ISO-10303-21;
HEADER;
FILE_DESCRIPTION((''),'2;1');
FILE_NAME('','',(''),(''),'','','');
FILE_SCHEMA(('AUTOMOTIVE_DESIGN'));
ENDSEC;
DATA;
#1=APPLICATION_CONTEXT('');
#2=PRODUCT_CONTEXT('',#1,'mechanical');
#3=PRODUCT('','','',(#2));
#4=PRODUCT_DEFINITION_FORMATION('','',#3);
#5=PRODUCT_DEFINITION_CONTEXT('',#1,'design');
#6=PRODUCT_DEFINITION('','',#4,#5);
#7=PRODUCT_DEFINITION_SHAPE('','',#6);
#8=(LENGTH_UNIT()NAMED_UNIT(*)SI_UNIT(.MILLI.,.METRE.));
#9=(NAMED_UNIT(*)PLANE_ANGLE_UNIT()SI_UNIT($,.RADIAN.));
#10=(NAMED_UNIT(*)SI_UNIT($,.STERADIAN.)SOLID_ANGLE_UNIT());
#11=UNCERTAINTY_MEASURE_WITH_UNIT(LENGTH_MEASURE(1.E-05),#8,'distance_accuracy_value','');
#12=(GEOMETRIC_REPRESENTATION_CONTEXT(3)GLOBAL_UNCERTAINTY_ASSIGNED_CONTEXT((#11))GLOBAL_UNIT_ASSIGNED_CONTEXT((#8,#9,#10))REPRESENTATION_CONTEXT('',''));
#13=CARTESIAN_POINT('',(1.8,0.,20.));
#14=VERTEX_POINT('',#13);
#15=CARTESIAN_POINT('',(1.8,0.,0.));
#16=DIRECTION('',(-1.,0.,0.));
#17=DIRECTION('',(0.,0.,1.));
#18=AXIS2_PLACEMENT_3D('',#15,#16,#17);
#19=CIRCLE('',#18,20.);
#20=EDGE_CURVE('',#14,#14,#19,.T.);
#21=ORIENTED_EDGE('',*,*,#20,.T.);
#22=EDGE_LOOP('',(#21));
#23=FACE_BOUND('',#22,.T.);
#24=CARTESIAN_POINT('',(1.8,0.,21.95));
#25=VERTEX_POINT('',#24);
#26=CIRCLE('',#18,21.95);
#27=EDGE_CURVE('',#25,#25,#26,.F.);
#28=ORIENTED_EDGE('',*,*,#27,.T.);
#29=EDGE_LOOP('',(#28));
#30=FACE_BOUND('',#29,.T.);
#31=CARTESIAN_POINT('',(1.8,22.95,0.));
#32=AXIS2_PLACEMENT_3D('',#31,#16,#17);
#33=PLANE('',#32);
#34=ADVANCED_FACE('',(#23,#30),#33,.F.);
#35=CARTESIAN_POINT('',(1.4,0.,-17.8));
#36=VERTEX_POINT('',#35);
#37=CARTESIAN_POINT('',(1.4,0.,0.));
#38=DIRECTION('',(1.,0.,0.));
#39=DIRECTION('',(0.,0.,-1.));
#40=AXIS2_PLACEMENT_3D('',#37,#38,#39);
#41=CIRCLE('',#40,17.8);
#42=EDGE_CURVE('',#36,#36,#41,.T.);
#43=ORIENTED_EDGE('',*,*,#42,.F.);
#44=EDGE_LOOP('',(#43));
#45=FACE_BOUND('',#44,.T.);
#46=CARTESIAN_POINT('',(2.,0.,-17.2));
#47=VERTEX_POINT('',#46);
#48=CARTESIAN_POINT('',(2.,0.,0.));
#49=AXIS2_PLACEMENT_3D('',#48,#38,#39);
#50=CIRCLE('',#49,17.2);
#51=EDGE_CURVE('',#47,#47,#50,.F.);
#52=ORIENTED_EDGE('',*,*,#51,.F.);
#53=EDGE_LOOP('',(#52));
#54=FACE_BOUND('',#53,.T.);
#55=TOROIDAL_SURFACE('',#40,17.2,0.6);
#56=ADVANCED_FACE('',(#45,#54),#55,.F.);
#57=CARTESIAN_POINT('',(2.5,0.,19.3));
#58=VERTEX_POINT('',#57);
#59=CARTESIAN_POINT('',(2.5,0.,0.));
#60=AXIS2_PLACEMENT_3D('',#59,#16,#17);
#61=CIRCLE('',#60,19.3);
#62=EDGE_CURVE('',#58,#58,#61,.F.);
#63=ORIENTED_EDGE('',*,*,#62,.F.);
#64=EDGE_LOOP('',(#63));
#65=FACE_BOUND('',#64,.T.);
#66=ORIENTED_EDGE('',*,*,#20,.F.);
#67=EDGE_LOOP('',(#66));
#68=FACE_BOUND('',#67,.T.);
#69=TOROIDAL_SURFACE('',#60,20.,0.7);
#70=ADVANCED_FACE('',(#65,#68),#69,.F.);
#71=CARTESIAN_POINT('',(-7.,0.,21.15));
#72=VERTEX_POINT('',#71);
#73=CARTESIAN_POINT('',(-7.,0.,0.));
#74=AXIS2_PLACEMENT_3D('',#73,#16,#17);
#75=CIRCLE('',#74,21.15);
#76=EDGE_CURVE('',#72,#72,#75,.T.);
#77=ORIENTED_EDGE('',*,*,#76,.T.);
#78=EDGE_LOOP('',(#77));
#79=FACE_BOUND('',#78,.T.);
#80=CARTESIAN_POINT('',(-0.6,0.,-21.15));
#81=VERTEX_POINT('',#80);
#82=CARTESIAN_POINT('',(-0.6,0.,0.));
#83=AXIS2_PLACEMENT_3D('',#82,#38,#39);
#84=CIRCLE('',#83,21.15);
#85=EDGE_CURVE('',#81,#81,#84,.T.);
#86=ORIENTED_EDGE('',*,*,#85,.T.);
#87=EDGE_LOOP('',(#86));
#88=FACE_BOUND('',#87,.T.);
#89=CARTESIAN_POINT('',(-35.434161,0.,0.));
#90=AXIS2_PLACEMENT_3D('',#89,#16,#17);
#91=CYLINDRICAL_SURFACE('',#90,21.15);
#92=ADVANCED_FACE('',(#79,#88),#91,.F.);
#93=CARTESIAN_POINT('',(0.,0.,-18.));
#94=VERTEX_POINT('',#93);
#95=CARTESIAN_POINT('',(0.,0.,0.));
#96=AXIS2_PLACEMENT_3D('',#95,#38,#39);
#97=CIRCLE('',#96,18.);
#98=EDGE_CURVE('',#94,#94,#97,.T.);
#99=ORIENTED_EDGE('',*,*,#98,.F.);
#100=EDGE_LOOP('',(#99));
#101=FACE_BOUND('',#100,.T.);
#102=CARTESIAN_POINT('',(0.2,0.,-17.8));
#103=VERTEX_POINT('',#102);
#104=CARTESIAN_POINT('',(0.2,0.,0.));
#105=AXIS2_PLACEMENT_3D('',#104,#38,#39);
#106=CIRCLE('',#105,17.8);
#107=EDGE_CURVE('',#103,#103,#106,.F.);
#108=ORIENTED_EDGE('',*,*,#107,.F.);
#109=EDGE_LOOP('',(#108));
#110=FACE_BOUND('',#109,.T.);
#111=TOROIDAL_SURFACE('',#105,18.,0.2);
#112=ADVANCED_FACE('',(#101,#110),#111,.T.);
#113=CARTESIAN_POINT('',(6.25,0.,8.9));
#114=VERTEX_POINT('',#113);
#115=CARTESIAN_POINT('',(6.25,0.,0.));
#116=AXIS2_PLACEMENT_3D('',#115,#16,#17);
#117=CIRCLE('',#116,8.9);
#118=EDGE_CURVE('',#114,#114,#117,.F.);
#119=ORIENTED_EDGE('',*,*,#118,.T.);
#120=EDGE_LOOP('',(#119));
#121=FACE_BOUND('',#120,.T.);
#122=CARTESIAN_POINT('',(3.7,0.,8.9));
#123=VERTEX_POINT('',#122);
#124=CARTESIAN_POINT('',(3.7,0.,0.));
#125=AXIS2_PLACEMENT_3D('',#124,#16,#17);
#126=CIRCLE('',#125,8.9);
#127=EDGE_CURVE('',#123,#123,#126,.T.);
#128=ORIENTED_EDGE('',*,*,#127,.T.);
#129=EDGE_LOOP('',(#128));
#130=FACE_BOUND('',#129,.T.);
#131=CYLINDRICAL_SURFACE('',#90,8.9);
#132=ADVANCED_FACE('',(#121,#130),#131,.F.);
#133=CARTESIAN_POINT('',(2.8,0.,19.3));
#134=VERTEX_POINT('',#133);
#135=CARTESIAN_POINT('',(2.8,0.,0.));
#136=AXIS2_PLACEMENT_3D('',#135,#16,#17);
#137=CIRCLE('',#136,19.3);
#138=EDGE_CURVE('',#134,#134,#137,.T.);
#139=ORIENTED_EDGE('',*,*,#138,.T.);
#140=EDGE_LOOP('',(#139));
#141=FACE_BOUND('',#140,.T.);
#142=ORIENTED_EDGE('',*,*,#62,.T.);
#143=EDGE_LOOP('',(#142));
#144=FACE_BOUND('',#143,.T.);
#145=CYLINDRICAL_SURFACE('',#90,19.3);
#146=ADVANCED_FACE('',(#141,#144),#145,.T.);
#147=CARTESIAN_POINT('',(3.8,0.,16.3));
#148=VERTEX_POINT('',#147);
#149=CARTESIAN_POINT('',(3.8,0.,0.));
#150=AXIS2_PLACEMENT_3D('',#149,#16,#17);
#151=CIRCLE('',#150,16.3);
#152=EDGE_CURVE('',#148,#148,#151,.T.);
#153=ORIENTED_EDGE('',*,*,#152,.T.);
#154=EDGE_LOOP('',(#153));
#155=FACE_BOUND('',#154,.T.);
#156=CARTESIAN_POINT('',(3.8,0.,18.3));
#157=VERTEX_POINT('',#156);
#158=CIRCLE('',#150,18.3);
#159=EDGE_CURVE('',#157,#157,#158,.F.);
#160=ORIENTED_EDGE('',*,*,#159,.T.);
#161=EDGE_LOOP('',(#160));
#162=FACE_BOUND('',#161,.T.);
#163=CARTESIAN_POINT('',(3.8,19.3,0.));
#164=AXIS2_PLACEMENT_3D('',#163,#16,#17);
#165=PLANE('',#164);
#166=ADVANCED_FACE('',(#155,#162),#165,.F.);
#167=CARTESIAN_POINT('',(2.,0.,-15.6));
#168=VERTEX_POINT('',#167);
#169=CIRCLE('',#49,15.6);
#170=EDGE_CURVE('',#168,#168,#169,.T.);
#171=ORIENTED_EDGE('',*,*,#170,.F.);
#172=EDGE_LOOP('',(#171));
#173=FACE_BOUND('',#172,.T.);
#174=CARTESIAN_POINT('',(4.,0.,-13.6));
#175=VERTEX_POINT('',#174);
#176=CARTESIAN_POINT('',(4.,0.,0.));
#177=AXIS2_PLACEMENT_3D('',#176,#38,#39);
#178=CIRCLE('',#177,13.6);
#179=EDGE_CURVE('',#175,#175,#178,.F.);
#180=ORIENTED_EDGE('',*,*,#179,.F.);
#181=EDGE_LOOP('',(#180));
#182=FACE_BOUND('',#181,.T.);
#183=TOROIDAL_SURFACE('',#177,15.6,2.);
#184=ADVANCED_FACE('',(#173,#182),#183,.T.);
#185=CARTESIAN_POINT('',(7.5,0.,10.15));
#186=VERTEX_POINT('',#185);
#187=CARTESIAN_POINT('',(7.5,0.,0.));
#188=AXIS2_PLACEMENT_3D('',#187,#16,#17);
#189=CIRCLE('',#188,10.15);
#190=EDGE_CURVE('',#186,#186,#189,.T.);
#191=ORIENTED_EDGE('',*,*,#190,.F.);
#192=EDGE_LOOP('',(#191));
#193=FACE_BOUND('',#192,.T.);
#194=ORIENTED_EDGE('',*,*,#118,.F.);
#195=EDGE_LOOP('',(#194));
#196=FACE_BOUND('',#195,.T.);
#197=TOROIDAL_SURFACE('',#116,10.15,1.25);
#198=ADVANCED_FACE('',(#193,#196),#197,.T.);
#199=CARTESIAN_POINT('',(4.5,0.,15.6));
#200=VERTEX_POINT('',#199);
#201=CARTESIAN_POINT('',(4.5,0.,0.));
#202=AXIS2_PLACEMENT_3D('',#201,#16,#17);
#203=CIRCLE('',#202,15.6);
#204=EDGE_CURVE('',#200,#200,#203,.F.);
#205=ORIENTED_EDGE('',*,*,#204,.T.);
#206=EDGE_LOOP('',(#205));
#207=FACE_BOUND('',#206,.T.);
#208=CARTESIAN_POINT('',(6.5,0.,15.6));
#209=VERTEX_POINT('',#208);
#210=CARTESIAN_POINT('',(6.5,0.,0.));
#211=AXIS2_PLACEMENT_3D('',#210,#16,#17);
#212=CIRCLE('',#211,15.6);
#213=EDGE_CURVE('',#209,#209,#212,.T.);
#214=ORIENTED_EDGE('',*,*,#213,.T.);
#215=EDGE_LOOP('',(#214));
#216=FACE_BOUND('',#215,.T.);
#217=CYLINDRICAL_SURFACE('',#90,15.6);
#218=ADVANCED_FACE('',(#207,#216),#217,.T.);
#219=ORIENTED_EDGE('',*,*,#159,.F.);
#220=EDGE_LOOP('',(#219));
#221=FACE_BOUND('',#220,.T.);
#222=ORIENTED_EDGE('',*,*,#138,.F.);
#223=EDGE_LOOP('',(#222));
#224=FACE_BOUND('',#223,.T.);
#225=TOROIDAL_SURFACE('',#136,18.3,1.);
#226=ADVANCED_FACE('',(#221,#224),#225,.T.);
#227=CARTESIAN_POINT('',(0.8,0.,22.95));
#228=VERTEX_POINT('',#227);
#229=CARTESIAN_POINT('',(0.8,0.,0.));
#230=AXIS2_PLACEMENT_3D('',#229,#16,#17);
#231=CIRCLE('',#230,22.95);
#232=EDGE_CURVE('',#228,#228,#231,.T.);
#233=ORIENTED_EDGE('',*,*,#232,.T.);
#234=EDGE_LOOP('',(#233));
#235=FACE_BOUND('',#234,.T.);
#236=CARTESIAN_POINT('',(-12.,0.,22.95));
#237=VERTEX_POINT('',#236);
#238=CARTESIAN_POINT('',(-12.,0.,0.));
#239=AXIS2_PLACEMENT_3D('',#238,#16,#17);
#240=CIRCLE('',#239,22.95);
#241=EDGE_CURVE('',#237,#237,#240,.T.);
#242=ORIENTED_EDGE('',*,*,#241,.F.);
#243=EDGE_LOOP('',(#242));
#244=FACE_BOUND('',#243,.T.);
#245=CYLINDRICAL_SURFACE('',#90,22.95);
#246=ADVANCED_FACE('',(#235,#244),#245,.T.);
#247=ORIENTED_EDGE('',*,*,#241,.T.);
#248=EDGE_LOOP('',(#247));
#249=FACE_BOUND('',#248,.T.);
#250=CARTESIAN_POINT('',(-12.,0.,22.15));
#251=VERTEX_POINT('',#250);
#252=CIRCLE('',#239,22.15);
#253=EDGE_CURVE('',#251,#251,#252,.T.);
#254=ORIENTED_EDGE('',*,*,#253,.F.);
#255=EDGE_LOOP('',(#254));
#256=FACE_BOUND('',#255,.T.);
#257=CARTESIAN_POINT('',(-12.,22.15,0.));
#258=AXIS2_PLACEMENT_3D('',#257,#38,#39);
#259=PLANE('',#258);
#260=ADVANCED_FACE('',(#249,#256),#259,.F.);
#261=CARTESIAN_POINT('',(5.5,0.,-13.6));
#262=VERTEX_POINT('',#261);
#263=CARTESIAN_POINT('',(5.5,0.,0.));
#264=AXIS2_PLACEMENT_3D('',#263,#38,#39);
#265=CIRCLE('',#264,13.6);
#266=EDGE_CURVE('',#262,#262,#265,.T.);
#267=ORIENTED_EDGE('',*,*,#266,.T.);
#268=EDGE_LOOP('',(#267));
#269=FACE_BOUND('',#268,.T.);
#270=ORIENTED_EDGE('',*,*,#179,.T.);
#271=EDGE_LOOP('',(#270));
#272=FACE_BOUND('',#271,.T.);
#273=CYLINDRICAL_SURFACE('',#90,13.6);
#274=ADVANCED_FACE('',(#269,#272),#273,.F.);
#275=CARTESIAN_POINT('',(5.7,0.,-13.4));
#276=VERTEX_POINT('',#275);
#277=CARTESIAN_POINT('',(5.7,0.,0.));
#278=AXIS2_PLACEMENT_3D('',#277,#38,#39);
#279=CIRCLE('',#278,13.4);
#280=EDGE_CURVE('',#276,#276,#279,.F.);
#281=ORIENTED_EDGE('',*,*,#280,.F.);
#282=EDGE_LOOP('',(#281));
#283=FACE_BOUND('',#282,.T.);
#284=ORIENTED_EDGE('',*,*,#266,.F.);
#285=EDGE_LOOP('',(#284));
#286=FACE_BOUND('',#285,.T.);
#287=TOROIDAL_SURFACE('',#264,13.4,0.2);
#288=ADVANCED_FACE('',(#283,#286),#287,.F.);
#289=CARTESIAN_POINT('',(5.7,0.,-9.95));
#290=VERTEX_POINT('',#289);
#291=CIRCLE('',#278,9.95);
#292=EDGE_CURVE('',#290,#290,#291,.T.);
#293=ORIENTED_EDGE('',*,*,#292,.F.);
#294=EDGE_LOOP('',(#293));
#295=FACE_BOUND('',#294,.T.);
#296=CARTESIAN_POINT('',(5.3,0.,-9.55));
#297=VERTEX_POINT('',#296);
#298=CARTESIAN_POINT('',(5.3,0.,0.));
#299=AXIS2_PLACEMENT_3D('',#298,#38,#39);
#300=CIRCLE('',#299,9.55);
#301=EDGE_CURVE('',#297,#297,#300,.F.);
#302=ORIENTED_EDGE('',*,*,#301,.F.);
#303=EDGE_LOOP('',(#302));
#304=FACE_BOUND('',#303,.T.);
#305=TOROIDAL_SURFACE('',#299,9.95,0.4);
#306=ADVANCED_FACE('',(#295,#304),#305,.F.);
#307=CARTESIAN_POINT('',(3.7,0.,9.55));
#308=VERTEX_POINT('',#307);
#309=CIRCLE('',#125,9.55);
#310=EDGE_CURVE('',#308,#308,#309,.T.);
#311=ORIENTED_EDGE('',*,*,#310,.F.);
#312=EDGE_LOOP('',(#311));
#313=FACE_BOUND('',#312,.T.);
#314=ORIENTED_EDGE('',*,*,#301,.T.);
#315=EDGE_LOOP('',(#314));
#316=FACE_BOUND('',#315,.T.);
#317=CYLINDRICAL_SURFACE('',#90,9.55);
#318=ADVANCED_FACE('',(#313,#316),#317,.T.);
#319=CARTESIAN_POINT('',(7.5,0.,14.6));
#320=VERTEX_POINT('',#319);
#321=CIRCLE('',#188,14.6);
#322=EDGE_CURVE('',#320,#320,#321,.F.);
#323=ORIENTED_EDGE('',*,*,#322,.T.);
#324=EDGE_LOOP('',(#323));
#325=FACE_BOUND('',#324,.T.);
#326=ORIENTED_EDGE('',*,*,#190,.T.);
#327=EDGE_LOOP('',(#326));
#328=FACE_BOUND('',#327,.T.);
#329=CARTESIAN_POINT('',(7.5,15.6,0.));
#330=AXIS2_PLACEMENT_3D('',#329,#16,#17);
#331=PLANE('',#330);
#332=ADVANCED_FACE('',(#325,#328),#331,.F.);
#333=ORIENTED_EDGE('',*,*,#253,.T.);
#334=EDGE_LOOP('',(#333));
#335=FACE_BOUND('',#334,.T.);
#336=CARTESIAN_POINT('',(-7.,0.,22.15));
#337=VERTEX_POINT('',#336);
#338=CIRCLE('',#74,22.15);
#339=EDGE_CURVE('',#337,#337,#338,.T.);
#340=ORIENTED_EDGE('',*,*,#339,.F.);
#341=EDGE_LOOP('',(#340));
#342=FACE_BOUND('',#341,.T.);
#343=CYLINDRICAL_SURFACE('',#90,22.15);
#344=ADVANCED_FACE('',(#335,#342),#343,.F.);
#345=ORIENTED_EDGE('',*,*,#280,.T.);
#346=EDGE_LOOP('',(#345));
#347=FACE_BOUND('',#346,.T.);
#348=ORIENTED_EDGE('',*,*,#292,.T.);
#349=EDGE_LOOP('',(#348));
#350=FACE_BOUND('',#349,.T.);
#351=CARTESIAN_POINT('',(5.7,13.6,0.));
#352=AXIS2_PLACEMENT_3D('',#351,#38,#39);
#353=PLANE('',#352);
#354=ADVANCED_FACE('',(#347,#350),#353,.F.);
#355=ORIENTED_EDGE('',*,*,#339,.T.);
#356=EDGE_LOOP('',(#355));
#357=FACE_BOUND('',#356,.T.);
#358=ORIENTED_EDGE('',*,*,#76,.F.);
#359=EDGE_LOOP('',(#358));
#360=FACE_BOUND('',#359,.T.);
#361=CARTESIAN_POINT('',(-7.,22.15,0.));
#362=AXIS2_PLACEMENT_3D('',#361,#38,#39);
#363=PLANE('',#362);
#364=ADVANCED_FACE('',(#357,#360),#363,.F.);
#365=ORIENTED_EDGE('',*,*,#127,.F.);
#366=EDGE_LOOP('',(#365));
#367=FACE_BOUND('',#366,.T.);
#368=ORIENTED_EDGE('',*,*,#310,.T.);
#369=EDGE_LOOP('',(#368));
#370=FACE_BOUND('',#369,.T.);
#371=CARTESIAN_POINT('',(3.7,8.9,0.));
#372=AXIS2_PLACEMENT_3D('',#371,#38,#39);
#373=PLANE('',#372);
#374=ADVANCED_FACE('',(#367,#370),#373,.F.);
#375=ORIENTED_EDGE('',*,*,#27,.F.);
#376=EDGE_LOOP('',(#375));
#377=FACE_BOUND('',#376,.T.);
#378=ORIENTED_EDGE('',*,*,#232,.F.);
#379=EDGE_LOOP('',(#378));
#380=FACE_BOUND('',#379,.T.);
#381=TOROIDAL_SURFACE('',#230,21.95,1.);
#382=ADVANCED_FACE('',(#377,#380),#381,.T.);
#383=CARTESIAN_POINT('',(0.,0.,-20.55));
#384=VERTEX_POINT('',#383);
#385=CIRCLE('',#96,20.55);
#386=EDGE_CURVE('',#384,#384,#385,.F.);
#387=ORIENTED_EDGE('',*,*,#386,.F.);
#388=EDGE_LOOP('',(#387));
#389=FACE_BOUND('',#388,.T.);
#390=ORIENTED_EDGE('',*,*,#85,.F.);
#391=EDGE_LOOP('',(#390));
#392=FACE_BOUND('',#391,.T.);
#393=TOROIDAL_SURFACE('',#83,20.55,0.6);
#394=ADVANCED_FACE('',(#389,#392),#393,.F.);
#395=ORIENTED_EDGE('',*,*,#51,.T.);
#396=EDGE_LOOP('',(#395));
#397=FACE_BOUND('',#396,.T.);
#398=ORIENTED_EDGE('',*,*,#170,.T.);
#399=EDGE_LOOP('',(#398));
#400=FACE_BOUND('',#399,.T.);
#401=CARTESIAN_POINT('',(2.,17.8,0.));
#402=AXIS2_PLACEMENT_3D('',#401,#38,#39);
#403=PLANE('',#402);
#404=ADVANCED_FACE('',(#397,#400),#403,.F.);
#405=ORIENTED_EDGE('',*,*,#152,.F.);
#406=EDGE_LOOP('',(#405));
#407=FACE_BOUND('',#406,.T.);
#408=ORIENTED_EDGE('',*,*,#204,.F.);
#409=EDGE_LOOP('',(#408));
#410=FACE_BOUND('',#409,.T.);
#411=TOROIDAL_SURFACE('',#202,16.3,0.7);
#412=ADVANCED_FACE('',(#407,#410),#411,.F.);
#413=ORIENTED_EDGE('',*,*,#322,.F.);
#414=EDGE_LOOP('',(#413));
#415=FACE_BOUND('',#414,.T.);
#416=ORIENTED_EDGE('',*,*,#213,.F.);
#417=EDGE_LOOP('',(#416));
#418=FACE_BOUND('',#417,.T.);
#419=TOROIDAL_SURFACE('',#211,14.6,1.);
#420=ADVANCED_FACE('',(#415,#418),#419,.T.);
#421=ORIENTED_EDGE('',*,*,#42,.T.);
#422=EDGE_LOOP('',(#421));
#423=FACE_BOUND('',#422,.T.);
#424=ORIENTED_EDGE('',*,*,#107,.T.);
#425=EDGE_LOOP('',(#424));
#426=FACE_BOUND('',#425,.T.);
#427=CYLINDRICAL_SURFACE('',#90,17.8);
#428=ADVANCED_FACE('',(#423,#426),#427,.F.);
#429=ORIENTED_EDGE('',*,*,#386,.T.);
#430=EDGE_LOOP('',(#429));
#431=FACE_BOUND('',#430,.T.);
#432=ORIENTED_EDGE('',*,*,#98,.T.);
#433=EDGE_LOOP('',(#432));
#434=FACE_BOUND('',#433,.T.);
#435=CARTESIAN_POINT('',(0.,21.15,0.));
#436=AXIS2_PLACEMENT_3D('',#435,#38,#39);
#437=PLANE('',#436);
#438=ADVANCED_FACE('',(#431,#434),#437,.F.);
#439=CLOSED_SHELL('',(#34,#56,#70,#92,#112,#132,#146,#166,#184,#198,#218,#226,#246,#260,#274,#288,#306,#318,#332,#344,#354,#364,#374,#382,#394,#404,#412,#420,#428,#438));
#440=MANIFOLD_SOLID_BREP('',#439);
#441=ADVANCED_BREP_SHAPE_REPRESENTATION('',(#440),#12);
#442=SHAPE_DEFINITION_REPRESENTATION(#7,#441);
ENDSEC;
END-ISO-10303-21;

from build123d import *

# Parameters (mm, degrees)
FILLET_1_R = 1.25
FILLET_2_R = 1
FILLET_3_R = 0.7
FILLET_4_R = 0.4
FILLET_5_R = 0.2
FILLET_6_R = 0.6
FILLET_7_R = 2
FILLET_8_R = 0.2


with BuildPart() as part:
    # 草图1 → 旋转1 (revolve)
    with BuildSketch(Plane.XY, mode=Mode.PRIVATE) as revolve_1_sk:
        Polygon((-7, 21.15), (0, 21.15), (0, 17.8), (2, 17.8), (2, 13.6), (5.7, 13.6), (5.7, 9.55), (3.7, 9.55), (3.7, 8.9), (7.5, 8.9), (7.5, 15.6), (3.8, 15.6), (3.8, 19.3), (1.8, 19.3), (1.8, 22.95), (-12, 22.95), (-12, 22.15), (-7, 22.15), align=None)
    revolve(revolve_1_sk.sketch.rotate(Axis((-35.434161491, 0, 0), (1, 0, 0)), 90), axis=Axis((-35.434161491, 0, 0), (1, 0, 0)))

    # 圆角1
    fillet_1_edges = [part.edges().sort_by_distance(p)[0] for p in [
        (7.5, 0, -8.9),
    ]]
    fillet(fillet_1_edges, radius=FILLET_1_R)

    # 圆角2
    fillet_2_edges = [part.edges().sort_by_distance(p)[0] for p in [
        (1.8, 0, -22.95),
        (3.8, 0, -19.3),
        (7.5, 0, -15.6),
    ]]
    fillet(fillet_2_edges, radius=FILLET_2_R)

    # 圆角3
    fillet_3_edges = [part.edges().sort_by_distance(p)[0] for p in [
        (1.8, 0, -19.3),
        (3.8, 0, -15.6),
    ]]
    fillet(fillet_3_edges, radius=FILLET_3_R)

    # 圆角4
    fillet_4_edges = [part.edges().sort_by_distance(p)[0] for p in [
        (5.7, 0, -9.55),
    ]]
    fillet(fillet_4_edges, radius=FILLET_4_R)

    # 圆角5
    fillet_5_edges = [part.edges().sort_by_distance(p)[0] for p in [
        (5.7, 0, -13.6),
    ]]
    fillet(fillet_5_edges, radius=FILLET_5_R)

    # 圆角6
    fillet_6_edges = [part.edges().sort_by_distance(p)[0] for p in [
        (0, 0, -21.15),
        (2, 0, -17.8),
    ]]
    fillet(fillet_6_edges, radius=FILLET_6_R)

    # 圆角7
    fillet_7_edges = [part.edges().sort_by_distance(p)[0] for p in [
        (2, 0, -13.6),
    ]]
    fillet(fillet_7_edges, radius=FILLET_7_R)

    # 圆角8
    fillet_8_edges = [part.edges().sort_by_distance(p)[0] for p in [
        (0, 0, -17.8),
    ]]
    fillet(fillet_8_edges, radius=FILLET_8_R)


solid = part.part
